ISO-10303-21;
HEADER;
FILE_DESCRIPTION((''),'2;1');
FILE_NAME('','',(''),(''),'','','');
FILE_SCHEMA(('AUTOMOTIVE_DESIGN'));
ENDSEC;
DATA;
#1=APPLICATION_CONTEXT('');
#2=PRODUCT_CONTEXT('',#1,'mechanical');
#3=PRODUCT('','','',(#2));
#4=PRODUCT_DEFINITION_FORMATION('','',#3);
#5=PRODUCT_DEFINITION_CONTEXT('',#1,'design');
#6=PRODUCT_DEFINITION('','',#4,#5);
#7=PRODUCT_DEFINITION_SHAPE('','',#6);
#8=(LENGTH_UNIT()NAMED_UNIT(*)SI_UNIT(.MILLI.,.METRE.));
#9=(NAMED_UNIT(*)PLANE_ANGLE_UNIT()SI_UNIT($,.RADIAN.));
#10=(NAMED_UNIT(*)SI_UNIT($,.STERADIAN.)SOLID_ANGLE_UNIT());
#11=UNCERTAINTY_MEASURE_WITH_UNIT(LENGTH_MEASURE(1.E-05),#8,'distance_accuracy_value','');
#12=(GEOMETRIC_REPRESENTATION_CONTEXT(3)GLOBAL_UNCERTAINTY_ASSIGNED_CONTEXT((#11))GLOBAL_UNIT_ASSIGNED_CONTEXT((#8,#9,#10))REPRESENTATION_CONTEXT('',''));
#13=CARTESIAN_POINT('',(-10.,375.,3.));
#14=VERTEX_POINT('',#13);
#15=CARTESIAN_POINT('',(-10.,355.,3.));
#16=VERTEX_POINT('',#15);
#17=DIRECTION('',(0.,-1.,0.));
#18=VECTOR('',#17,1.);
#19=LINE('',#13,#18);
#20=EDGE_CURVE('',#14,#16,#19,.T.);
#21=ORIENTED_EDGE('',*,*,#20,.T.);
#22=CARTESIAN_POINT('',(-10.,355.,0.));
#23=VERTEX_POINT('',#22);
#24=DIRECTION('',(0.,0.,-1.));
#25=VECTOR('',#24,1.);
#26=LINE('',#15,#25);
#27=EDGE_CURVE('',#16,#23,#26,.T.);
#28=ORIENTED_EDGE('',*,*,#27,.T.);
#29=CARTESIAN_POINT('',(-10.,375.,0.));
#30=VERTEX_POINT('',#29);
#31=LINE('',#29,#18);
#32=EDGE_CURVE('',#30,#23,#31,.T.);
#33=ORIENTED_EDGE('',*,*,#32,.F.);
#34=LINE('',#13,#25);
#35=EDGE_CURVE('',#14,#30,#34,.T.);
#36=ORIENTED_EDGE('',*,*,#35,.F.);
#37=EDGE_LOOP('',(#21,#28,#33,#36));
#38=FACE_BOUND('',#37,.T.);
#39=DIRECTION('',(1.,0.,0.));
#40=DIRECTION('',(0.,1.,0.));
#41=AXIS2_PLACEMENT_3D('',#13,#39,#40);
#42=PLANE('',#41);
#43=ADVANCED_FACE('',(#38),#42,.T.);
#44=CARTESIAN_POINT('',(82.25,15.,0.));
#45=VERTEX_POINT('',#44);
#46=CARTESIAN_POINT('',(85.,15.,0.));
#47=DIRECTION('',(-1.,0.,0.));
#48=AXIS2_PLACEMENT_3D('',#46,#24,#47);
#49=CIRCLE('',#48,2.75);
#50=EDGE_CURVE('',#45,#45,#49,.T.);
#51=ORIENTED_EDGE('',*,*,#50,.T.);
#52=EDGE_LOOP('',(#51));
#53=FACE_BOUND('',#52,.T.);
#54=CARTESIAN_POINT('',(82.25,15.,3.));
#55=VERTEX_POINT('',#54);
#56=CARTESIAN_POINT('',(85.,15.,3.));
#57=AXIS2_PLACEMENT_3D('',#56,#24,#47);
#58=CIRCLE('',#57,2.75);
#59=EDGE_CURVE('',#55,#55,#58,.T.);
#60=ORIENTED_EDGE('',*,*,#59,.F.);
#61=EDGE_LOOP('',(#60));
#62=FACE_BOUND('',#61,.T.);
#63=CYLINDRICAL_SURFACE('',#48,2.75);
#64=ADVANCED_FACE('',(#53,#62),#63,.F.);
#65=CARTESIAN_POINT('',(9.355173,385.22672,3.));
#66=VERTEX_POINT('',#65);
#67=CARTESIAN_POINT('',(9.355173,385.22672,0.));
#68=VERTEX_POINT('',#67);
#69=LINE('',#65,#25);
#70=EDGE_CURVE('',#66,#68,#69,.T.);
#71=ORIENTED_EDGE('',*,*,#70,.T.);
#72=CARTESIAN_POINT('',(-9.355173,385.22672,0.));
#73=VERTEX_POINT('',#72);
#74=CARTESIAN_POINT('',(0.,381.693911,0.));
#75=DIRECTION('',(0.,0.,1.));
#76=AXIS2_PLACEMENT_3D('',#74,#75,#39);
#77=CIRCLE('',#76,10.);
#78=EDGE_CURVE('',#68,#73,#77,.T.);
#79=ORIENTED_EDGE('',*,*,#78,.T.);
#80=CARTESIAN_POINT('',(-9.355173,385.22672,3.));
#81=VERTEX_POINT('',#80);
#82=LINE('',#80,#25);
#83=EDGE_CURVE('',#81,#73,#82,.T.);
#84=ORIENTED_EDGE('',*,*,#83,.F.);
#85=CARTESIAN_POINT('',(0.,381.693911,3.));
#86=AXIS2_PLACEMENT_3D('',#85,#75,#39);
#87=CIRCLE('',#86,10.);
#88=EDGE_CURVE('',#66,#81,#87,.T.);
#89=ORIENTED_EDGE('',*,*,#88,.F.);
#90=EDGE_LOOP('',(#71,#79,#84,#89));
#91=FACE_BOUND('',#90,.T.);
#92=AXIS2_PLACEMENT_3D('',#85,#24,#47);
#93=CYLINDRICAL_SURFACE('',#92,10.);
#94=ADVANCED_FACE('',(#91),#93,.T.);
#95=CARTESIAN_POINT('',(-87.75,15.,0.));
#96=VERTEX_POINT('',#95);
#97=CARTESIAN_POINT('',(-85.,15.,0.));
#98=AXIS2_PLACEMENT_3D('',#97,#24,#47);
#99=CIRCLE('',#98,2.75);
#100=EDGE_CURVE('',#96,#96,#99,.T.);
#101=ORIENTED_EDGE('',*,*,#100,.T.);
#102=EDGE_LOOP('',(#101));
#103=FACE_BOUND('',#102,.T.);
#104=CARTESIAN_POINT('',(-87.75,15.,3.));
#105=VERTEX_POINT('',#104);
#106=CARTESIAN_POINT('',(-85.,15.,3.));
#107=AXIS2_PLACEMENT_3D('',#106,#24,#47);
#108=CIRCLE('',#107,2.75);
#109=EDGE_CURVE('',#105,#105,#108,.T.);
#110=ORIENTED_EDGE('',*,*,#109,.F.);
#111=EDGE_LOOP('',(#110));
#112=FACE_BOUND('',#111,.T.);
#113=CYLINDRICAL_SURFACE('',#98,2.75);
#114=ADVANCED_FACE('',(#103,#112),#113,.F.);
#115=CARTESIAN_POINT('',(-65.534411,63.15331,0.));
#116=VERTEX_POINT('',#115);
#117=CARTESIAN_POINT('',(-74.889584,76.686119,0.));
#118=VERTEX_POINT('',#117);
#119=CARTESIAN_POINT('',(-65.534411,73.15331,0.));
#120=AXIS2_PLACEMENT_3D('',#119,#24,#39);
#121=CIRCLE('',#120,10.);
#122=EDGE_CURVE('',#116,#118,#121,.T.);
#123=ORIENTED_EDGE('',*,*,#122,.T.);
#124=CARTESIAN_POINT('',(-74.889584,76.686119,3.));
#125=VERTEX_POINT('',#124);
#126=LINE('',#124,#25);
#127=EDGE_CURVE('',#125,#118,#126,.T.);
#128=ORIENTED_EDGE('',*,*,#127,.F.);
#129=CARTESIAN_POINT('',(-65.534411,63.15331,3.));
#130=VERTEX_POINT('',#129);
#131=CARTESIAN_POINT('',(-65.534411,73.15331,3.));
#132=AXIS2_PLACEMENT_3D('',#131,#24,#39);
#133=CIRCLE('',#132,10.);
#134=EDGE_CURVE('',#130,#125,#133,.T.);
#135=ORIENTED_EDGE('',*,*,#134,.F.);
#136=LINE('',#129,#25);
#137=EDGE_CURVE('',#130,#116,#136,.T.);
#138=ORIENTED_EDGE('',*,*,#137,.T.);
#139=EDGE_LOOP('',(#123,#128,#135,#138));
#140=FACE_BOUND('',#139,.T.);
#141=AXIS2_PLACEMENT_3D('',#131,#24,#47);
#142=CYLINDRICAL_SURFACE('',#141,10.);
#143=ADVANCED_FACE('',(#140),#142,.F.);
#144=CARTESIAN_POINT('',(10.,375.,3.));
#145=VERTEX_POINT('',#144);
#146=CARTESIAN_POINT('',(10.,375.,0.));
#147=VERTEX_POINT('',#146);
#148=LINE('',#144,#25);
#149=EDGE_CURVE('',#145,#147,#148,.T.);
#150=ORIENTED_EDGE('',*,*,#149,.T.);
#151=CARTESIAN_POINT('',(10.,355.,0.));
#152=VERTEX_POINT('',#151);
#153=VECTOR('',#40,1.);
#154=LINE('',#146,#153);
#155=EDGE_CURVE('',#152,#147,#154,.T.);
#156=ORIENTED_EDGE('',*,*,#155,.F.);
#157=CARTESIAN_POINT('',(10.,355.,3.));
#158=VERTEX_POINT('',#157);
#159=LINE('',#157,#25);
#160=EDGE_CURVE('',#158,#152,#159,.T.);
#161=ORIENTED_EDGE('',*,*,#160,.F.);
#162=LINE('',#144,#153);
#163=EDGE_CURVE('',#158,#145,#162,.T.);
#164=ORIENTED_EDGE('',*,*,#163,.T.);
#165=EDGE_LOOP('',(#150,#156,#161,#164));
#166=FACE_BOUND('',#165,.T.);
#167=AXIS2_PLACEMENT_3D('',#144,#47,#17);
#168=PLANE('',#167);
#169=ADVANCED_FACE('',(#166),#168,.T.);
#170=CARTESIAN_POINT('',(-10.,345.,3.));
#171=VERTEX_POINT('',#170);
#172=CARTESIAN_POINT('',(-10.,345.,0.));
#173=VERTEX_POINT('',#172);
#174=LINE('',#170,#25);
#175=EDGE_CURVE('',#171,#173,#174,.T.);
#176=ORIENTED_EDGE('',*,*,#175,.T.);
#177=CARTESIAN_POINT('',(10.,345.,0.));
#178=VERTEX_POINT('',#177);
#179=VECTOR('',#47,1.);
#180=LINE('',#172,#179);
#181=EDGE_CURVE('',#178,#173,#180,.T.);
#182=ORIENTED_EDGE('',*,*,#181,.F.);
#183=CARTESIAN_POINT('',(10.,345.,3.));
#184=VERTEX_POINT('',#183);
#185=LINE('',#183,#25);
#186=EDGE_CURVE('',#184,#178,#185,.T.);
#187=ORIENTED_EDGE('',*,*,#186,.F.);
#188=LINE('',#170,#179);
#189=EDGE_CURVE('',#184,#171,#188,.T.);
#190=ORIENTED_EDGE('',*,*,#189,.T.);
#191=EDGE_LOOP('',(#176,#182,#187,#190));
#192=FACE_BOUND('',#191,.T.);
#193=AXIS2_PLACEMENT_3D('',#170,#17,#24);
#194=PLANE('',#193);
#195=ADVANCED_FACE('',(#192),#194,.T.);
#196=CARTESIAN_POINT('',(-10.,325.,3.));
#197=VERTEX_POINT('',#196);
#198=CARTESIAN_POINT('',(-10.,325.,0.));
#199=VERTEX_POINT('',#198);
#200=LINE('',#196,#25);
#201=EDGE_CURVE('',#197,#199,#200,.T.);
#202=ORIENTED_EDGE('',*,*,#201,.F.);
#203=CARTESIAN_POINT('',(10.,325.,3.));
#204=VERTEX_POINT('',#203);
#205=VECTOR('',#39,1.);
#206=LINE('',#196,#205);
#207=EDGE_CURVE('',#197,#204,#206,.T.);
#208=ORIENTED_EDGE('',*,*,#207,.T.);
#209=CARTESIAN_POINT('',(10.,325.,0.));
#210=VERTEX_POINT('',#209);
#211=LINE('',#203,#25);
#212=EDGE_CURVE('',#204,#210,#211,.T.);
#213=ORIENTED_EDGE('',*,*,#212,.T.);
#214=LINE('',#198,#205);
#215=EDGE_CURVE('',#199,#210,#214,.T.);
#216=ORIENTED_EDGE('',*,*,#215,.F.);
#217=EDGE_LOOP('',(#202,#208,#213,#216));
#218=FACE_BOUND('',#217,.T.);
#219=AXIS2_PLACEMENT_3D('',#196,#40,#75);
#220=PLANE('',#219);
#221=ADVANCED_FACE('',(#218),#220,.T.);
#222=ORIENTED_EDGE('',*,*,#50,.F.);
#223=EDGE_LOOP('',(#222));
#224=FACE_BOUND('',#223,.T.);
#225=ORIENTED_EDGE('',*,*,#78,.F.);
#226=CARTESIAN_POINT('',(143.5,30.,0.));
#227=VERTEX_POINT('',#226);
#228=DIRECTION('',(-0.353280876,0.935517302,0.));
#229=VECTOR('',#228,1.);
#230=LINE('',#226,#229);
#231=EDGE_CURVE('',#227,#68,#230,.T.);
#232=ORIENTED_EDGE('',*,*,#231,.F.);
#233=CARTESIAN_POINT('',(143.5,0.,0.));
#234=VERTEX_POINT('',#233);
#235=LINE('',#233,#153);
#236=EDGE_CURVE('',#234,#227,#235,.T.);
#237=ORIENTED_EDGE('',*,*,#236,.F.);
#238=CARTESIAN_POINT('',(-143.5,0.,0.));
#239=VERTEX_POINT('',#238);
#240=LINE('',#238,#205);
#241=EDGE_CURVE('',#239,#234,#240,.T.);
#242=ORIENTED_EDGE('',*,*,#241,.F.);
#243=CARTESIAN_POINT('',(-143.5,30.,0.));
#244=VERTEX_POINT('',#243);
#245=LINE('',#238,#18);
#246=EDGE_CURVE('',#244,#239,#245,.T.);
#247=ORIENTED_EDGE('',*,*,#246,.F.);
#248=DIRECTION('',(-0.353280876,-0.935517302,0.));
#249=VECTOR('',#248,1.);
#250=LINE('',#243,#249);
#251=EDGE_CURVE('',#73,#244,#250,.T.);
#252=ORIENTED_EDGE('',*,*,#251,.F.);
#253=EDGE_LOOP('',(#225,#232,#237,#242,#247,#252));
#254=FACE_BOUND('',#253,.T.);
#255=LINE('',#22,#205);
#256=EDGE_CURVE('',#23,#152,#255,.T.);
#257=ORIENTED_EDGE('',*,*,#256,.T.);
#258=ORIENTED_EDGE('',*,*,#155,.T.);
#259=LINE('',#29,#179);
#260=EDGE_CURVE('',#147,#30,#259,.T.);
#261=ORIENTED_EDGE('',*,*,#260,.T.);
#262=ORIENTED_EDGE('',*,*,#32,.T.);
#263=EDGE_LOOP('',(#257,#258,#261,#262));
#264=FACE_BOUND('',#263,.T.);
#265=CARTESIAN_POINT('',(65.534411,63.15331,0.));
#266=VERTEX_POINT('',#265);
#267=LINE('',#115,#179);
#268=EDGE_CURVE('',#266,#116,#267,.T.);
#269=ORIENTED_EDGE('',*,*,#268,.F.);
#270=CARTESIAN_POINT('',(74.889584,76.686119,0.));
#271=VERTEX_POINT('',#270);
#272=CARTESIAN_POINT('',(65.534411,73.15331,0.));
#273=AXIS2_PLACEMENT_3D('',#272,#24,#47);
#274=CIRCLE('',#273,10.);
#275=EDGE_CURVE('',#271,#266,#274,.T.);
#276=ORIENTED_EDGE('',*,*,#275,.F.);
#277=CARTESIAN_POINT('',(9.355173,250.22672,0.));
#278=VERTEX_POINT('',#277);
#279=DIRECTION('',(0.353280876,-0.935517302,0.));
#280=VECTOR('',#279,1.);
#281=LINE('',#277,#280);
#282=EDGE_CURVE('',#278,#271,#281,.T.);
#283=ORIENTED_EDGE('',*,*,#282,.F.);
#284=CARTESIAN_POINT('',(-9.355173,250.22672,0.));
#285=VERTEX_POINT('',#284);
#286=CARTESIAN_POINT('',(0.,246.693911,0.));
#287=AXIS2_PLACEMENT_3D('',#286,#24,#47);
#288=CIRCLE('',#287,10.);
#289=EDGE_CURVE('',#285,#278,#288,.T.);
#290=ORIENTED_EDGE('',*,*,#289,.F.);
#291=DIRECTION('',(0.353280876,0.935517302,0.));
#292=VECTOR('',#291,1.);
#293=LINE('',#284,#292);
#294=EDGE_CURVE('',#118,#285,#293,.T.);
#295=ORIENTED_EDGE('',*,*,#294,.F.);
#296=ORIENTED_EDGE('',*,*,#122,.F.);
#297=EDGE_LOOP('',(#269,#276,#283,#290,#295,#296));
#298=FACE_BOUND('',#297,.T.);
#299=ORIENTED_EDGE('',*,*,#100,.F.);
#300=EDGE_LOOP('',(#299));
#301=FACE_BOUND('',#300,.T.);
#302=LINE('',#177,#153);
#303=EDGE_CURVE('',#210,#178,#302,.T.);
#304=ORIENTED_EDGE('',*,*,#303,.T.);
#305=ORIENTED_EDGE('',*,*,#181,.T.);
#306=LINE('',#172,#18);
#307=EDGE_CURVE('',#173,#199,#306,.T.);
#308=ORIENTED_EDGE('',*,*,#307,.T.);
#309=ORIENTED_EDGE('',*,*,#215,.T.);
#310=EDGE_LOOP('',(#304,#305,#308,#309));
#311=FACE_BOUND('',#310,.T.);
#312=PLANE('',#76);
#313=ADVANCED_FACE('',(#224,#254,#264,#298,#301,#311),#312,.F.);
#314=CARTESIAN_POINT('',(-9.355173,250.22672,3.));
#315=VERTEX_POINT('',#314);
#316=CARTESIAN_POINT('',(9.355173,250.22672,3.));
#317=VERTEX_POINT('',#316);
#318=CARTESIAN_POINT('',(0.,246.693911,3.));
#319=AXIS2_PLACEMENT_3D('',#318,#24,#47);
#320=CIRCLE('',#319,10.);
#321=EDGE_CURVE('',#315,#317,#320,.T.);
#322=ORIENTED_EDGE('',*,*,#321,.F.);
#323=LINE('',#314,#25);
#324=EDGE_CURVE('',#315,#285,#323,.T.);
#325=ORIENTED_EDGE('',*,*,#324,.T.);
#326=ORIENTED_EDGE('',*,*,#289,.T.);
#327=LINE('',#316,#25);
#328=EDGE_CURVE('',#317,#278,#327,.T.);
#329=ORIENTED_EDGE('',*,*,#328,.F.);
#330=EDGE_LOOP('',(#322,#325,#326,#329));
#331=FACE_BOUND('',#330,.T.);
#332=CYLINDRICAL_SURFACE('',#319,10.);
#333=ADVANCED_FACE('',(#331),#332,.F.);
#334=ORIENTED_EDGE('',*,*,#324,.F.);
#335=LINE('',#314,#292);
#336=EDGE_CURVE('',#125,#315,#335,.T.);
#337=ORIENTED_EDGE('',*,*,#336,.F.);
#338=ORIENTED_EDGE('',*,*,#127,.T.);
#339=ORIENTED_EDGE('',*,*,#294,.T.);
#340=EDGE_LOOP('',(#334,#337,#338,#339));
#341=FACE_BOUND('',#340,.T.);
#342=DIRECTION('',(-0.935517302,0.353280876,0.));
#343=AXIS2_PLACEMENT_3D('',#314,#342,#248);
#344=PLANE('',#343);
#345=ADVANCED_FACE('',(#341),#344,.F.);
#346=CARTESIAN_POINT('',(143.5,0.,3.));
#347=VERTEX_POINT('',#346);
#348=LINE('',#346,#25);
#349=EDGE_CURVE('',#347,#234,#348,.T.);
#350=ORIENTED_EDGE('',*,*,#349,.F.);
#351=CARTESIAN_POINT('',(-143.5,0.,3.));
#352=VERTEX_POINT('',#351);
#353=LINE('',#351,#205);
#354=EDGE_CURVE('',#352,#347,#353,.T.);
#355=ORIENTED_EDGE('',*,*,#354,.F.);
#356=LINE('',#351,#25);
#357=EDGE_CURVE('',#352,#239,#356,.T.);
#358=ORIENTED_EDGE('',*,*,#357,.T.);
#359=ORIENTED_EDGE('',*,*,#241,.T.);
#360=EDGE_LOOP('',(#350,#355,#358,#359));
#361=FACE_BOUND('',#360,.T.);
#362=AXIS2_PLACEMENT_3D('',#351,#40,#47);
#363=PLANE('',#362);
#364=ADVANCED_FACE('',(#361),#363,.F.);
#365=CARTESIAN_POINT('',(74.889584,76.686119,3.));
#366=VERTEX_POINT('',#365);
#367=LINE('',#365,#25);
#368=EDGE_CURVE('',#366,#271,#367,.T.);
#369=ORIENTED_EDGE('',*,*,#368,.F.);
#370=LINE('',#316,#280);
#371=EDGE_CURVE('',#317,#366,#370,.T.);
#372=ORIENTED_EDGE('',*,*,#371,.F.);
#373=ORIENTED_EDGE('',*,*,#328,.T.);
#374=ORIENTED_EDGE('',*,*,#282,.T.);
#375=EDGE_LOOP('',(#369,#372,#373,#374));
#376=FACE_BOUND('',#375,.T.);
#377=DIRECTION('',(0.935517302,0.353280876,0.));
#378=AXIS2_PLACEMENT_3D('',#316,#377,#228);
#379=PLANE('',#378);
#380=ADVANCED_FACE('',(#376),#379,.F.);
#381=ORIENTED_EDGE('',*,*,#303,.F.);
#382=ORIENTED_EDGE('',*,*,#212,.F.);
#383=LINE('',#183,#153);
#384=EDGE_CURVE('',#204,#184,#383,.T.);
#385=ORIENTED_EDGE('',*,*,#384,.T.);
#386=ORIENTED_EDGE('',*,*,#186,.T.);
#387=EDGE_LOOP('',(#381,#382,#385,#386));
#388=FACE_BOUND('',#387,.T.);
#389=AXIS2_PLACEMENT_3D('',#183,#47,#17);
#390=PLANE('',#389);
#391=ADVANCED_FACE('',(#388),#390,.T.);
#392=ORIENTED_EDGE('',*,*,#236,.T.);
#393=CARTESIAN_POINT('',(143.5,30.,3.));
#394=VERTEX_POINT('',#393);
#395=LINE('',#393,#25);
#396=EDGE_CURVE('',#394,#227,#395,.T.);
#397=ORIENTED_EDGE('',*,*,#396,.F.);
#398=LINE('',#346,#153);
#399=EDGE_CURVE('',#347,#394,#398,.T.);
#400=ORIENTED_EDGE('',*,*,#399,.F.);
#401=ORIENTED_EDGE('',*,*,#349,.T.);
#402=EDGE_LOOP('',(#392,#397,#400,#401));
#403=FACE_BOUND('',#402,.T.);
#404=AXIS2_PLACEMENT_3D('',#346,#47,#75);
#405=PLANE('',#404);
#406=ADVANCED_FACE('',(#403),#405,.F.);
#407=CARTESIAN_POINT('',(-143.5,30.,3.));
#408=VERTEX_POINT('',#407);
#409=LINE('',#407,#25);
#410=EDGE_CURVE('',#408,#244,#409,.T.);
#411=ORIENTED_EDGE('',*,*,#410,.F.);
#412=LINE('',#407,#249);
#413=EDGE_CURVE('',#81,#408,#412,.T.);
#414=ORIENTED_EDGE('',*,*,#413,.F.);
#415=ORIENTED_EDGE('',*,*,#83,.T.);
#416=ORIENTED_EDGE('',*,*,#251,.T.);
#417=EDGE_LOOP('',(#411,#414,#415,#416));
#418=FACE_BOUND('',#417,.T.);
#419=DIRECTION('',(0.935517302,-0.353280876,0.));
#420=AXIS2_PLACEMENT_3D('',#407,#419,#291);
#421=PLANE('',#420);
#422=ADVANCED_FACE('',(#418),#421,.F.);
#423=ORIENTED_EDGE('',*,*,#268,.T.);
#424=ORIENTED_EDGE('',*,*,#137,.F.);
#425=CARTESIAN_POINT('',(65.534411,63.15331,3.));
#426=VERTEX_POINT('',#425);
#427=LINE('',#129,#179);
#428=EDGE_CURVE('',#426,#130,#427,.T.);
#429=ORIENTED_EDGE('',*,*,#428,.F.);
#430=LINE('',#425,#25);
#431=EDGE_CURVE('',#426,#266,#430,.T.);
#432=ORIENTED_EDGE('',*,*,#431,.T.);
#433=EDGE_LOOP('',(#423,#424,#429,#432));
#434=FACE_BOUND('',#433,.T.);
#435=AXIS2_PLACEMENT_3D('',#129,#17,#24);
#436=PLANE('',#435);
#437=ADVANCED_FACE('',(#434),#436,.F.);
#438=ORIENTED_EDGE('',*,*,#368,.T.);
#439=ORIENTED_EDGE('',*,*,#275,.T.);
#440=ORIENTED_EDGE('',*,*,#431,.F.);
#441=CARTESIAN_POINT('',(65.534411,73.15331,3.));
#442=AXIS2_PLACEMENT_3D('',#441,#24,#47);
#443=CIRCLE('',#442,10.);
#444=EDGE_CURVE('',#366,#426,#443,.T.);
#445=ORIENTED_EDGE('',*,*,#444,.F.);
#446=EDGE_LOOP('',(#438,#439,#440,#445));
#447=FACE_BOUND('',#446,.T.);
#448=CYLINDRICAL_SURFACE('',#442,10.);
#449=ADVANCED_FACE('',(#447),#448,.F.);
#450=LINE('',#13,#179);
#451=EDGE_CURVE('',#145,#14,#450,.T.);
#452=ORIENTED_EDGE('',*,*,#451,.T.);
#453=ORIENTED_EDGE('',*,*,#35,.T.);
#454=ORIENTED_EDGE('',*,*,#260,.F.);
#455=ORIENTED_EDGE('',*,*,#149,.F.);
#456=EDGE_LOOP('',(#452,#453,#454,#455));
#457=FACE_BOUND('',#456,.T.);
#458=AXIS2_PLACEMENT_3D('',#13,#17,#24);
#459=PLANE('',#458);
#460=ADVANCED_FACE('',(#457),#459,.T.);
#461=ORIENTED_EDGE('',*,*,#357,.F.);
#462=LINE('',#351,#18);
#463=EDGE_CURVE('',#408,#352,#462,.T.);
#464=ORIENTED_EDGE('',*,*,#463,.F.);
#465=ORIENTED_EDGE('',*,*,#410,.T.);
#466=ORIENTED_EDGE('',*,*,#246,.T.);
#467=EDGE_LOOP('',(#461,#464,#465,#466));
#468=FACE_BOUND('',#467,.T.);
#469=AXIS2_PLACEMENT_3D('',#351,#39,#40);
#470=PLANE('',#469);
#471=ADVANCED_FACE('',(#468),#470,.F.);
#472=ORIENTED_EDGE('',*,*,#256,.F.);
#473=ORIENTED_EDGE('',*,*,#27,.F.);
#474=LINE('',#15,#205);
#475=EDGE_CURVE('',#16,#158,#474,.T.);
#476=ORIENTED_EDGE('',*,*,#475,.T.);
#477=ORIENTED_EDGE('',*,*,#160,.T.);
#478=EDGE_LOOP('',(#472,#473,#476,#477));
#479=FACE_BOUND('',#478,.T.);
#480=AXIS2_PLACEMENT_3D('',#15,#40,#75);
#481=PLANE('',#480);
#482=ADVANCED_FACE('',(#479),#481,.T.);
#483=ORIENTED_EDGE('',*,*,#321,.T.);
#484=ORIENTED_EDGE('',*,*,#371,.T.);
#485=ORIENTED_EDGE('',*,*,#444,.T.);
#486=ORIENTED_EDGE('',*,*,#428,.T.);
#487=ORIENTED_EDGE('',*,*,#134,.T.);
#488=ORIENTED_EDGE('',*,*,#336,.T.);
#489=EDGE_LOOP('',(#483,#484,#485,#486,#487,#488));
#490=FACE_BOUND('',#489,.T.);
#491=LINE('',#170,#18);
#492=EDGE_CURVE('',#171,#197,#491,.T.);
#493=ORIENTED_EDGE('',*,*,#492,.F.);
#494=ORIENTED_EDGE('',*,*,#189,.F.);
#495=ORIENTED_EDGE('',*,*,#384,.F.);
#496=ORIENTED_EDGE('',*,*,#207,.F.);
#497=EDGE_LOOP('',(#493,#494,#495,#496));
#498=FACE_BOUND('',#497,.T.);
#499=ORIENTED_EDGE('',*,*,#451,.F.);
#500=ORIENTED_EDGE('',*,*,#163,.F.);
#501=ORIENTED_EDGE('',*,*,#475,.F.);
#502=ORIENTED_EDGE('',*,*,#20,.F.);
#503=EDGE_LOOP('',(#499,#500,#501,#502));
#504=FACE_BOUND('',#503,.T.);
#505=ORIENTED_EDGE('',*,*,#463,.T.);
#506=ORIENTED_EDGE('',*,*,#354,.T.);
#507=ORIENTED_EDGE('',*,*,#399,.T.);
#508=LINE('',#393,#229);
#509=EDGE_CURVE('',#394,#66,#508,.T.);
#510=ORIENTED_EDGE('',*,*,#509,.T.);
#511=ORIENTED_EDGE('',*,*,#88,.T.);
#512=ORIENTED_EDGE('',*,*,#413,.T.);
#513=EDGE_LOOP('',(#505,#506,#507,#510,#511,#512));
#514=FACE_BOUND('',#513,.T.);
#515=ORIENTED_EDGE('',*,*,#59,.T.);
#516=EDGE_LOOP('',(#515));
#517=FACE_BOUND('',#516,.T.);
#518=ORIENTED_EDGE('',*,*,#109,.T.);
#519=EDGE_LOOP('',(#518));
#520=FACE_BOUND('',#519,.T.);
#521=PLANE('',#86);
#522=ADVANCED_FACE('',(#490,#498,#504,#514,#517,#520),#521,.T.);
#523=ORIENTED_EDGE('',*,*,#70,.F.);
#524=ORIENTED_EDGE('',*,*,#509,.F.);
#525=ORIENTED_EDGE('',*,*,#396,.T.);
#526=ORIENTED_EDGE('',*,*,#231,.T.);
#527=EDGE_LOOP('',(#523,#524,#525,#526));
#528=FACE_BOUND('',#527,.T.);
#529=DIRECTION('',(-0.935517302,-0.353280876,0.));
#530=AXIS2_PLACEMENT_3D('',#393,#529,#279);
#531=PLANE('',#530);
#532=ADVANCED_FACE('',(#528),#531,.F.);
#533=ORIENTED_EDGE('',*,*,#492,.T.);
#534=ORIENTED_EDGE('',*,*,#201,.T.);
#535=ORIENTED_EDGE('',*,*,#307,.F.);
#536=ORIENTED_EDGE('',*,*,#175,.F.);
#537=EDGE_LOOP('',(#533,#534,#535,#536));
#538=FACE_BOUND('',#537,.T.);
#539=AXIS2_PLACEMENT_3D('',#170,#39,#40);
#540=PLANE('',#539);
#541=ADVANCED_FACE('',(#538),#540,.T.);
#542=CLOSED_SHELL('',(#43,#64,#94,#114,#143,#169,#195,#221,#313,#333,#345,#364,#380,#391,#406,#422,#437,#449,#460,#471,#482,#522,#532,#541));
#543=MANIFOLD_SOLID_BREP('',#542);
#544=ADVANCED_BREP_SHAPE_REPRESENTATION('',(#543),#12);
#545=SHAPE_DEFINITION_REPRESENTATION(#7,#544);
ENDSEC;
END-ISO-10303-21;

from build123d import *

# Parameters (mm, degrees)
CROQUIS1_W                   = 20
CROQUIS1_H                   = 20
SALIENTE_EXTRUIR1_DEPTH      = 3
TALADRO_DE_MARGEN_PARA_M52_D = 5.5
CORTAR_EXTRUIR1_DEPTH        = 3


with BuildPart() as part:
    # Croquis1 → Saliente-Extruir1 (new body)
    with BuildSketch(Plane.XY):
        with BuildLine():
            Line((-143.5, 0), (143.5, 0))
            Line((143.5, 0), (143.5, 30))
            Line((143.5, 30), (9.355173022, 385.226719524))
            ThreePointArc((9.355173022, 385.226719524), (0, 391.693910765), (-9.355173022, 385.226719524))
            Line((-9.355173022, 385.226719524), (-143.5, 30))
            Line((-143.5, 30), (-143.5, 0))
        make_face()
        with Locations((0, 365)):
            Rectangle(CROQUIS1_W, CROQUIS1_H, mode=Mode.SUBTRACT)
        with Locations((0, 335)):
            Rectangle(CROQUIS1_W, CROQUIS1_H, mode=Mode.SUBTRACT)
    extrude(amount=SALIENTE_EXTRUIR1_DEPTH)

    # Taladro de margen para M52 (through all)
    with Locations(Plane(origin=(0, 0, 0), x_dir=(-1, 0, 0), z_dir=(0, 0, -1))):
        with Locations((-85, 15), (85, 15)):
            Hole(TALADRO_DE_MARGEN_PARA_M52_D / 2)

    # Croquis4 → Cortar-Extruir1 (cut)
    with BuildSketch(Plane(origin=(0, 0, 0), x_dir=(-1, 0, 0), z_dir=(0, 0, -1))):
        with BuildLine():
            Line((9.355173022, 250.226719524), (74.889584061, 76.686118864))
            ThreePointArc((74.889584061, 76.686118864), (73.760226731, 67.466838773), (65.534411039, 63.153310105))
            Line((65.534411039, 63.153310105), (-65.534411039, 63.153310105))
            ThreePointArc((-65.534411039, 63.153310105), (-73.760226731, 67.466838773), (-74.889584061, 76.686118864))
            Line((-74.889584061, 76.686118864), (-9.355173022, 250.226719524))
            ThreePointArc((-9.355173022, 250.226719524), (0, 256.693910765), (9.355173022, 250.226719524))
        make_face()
    extrude(amount=-CORTAR_EXTRUIR1_DEPTH, mode=Mode.SUBTRACT)


solid = part.part
